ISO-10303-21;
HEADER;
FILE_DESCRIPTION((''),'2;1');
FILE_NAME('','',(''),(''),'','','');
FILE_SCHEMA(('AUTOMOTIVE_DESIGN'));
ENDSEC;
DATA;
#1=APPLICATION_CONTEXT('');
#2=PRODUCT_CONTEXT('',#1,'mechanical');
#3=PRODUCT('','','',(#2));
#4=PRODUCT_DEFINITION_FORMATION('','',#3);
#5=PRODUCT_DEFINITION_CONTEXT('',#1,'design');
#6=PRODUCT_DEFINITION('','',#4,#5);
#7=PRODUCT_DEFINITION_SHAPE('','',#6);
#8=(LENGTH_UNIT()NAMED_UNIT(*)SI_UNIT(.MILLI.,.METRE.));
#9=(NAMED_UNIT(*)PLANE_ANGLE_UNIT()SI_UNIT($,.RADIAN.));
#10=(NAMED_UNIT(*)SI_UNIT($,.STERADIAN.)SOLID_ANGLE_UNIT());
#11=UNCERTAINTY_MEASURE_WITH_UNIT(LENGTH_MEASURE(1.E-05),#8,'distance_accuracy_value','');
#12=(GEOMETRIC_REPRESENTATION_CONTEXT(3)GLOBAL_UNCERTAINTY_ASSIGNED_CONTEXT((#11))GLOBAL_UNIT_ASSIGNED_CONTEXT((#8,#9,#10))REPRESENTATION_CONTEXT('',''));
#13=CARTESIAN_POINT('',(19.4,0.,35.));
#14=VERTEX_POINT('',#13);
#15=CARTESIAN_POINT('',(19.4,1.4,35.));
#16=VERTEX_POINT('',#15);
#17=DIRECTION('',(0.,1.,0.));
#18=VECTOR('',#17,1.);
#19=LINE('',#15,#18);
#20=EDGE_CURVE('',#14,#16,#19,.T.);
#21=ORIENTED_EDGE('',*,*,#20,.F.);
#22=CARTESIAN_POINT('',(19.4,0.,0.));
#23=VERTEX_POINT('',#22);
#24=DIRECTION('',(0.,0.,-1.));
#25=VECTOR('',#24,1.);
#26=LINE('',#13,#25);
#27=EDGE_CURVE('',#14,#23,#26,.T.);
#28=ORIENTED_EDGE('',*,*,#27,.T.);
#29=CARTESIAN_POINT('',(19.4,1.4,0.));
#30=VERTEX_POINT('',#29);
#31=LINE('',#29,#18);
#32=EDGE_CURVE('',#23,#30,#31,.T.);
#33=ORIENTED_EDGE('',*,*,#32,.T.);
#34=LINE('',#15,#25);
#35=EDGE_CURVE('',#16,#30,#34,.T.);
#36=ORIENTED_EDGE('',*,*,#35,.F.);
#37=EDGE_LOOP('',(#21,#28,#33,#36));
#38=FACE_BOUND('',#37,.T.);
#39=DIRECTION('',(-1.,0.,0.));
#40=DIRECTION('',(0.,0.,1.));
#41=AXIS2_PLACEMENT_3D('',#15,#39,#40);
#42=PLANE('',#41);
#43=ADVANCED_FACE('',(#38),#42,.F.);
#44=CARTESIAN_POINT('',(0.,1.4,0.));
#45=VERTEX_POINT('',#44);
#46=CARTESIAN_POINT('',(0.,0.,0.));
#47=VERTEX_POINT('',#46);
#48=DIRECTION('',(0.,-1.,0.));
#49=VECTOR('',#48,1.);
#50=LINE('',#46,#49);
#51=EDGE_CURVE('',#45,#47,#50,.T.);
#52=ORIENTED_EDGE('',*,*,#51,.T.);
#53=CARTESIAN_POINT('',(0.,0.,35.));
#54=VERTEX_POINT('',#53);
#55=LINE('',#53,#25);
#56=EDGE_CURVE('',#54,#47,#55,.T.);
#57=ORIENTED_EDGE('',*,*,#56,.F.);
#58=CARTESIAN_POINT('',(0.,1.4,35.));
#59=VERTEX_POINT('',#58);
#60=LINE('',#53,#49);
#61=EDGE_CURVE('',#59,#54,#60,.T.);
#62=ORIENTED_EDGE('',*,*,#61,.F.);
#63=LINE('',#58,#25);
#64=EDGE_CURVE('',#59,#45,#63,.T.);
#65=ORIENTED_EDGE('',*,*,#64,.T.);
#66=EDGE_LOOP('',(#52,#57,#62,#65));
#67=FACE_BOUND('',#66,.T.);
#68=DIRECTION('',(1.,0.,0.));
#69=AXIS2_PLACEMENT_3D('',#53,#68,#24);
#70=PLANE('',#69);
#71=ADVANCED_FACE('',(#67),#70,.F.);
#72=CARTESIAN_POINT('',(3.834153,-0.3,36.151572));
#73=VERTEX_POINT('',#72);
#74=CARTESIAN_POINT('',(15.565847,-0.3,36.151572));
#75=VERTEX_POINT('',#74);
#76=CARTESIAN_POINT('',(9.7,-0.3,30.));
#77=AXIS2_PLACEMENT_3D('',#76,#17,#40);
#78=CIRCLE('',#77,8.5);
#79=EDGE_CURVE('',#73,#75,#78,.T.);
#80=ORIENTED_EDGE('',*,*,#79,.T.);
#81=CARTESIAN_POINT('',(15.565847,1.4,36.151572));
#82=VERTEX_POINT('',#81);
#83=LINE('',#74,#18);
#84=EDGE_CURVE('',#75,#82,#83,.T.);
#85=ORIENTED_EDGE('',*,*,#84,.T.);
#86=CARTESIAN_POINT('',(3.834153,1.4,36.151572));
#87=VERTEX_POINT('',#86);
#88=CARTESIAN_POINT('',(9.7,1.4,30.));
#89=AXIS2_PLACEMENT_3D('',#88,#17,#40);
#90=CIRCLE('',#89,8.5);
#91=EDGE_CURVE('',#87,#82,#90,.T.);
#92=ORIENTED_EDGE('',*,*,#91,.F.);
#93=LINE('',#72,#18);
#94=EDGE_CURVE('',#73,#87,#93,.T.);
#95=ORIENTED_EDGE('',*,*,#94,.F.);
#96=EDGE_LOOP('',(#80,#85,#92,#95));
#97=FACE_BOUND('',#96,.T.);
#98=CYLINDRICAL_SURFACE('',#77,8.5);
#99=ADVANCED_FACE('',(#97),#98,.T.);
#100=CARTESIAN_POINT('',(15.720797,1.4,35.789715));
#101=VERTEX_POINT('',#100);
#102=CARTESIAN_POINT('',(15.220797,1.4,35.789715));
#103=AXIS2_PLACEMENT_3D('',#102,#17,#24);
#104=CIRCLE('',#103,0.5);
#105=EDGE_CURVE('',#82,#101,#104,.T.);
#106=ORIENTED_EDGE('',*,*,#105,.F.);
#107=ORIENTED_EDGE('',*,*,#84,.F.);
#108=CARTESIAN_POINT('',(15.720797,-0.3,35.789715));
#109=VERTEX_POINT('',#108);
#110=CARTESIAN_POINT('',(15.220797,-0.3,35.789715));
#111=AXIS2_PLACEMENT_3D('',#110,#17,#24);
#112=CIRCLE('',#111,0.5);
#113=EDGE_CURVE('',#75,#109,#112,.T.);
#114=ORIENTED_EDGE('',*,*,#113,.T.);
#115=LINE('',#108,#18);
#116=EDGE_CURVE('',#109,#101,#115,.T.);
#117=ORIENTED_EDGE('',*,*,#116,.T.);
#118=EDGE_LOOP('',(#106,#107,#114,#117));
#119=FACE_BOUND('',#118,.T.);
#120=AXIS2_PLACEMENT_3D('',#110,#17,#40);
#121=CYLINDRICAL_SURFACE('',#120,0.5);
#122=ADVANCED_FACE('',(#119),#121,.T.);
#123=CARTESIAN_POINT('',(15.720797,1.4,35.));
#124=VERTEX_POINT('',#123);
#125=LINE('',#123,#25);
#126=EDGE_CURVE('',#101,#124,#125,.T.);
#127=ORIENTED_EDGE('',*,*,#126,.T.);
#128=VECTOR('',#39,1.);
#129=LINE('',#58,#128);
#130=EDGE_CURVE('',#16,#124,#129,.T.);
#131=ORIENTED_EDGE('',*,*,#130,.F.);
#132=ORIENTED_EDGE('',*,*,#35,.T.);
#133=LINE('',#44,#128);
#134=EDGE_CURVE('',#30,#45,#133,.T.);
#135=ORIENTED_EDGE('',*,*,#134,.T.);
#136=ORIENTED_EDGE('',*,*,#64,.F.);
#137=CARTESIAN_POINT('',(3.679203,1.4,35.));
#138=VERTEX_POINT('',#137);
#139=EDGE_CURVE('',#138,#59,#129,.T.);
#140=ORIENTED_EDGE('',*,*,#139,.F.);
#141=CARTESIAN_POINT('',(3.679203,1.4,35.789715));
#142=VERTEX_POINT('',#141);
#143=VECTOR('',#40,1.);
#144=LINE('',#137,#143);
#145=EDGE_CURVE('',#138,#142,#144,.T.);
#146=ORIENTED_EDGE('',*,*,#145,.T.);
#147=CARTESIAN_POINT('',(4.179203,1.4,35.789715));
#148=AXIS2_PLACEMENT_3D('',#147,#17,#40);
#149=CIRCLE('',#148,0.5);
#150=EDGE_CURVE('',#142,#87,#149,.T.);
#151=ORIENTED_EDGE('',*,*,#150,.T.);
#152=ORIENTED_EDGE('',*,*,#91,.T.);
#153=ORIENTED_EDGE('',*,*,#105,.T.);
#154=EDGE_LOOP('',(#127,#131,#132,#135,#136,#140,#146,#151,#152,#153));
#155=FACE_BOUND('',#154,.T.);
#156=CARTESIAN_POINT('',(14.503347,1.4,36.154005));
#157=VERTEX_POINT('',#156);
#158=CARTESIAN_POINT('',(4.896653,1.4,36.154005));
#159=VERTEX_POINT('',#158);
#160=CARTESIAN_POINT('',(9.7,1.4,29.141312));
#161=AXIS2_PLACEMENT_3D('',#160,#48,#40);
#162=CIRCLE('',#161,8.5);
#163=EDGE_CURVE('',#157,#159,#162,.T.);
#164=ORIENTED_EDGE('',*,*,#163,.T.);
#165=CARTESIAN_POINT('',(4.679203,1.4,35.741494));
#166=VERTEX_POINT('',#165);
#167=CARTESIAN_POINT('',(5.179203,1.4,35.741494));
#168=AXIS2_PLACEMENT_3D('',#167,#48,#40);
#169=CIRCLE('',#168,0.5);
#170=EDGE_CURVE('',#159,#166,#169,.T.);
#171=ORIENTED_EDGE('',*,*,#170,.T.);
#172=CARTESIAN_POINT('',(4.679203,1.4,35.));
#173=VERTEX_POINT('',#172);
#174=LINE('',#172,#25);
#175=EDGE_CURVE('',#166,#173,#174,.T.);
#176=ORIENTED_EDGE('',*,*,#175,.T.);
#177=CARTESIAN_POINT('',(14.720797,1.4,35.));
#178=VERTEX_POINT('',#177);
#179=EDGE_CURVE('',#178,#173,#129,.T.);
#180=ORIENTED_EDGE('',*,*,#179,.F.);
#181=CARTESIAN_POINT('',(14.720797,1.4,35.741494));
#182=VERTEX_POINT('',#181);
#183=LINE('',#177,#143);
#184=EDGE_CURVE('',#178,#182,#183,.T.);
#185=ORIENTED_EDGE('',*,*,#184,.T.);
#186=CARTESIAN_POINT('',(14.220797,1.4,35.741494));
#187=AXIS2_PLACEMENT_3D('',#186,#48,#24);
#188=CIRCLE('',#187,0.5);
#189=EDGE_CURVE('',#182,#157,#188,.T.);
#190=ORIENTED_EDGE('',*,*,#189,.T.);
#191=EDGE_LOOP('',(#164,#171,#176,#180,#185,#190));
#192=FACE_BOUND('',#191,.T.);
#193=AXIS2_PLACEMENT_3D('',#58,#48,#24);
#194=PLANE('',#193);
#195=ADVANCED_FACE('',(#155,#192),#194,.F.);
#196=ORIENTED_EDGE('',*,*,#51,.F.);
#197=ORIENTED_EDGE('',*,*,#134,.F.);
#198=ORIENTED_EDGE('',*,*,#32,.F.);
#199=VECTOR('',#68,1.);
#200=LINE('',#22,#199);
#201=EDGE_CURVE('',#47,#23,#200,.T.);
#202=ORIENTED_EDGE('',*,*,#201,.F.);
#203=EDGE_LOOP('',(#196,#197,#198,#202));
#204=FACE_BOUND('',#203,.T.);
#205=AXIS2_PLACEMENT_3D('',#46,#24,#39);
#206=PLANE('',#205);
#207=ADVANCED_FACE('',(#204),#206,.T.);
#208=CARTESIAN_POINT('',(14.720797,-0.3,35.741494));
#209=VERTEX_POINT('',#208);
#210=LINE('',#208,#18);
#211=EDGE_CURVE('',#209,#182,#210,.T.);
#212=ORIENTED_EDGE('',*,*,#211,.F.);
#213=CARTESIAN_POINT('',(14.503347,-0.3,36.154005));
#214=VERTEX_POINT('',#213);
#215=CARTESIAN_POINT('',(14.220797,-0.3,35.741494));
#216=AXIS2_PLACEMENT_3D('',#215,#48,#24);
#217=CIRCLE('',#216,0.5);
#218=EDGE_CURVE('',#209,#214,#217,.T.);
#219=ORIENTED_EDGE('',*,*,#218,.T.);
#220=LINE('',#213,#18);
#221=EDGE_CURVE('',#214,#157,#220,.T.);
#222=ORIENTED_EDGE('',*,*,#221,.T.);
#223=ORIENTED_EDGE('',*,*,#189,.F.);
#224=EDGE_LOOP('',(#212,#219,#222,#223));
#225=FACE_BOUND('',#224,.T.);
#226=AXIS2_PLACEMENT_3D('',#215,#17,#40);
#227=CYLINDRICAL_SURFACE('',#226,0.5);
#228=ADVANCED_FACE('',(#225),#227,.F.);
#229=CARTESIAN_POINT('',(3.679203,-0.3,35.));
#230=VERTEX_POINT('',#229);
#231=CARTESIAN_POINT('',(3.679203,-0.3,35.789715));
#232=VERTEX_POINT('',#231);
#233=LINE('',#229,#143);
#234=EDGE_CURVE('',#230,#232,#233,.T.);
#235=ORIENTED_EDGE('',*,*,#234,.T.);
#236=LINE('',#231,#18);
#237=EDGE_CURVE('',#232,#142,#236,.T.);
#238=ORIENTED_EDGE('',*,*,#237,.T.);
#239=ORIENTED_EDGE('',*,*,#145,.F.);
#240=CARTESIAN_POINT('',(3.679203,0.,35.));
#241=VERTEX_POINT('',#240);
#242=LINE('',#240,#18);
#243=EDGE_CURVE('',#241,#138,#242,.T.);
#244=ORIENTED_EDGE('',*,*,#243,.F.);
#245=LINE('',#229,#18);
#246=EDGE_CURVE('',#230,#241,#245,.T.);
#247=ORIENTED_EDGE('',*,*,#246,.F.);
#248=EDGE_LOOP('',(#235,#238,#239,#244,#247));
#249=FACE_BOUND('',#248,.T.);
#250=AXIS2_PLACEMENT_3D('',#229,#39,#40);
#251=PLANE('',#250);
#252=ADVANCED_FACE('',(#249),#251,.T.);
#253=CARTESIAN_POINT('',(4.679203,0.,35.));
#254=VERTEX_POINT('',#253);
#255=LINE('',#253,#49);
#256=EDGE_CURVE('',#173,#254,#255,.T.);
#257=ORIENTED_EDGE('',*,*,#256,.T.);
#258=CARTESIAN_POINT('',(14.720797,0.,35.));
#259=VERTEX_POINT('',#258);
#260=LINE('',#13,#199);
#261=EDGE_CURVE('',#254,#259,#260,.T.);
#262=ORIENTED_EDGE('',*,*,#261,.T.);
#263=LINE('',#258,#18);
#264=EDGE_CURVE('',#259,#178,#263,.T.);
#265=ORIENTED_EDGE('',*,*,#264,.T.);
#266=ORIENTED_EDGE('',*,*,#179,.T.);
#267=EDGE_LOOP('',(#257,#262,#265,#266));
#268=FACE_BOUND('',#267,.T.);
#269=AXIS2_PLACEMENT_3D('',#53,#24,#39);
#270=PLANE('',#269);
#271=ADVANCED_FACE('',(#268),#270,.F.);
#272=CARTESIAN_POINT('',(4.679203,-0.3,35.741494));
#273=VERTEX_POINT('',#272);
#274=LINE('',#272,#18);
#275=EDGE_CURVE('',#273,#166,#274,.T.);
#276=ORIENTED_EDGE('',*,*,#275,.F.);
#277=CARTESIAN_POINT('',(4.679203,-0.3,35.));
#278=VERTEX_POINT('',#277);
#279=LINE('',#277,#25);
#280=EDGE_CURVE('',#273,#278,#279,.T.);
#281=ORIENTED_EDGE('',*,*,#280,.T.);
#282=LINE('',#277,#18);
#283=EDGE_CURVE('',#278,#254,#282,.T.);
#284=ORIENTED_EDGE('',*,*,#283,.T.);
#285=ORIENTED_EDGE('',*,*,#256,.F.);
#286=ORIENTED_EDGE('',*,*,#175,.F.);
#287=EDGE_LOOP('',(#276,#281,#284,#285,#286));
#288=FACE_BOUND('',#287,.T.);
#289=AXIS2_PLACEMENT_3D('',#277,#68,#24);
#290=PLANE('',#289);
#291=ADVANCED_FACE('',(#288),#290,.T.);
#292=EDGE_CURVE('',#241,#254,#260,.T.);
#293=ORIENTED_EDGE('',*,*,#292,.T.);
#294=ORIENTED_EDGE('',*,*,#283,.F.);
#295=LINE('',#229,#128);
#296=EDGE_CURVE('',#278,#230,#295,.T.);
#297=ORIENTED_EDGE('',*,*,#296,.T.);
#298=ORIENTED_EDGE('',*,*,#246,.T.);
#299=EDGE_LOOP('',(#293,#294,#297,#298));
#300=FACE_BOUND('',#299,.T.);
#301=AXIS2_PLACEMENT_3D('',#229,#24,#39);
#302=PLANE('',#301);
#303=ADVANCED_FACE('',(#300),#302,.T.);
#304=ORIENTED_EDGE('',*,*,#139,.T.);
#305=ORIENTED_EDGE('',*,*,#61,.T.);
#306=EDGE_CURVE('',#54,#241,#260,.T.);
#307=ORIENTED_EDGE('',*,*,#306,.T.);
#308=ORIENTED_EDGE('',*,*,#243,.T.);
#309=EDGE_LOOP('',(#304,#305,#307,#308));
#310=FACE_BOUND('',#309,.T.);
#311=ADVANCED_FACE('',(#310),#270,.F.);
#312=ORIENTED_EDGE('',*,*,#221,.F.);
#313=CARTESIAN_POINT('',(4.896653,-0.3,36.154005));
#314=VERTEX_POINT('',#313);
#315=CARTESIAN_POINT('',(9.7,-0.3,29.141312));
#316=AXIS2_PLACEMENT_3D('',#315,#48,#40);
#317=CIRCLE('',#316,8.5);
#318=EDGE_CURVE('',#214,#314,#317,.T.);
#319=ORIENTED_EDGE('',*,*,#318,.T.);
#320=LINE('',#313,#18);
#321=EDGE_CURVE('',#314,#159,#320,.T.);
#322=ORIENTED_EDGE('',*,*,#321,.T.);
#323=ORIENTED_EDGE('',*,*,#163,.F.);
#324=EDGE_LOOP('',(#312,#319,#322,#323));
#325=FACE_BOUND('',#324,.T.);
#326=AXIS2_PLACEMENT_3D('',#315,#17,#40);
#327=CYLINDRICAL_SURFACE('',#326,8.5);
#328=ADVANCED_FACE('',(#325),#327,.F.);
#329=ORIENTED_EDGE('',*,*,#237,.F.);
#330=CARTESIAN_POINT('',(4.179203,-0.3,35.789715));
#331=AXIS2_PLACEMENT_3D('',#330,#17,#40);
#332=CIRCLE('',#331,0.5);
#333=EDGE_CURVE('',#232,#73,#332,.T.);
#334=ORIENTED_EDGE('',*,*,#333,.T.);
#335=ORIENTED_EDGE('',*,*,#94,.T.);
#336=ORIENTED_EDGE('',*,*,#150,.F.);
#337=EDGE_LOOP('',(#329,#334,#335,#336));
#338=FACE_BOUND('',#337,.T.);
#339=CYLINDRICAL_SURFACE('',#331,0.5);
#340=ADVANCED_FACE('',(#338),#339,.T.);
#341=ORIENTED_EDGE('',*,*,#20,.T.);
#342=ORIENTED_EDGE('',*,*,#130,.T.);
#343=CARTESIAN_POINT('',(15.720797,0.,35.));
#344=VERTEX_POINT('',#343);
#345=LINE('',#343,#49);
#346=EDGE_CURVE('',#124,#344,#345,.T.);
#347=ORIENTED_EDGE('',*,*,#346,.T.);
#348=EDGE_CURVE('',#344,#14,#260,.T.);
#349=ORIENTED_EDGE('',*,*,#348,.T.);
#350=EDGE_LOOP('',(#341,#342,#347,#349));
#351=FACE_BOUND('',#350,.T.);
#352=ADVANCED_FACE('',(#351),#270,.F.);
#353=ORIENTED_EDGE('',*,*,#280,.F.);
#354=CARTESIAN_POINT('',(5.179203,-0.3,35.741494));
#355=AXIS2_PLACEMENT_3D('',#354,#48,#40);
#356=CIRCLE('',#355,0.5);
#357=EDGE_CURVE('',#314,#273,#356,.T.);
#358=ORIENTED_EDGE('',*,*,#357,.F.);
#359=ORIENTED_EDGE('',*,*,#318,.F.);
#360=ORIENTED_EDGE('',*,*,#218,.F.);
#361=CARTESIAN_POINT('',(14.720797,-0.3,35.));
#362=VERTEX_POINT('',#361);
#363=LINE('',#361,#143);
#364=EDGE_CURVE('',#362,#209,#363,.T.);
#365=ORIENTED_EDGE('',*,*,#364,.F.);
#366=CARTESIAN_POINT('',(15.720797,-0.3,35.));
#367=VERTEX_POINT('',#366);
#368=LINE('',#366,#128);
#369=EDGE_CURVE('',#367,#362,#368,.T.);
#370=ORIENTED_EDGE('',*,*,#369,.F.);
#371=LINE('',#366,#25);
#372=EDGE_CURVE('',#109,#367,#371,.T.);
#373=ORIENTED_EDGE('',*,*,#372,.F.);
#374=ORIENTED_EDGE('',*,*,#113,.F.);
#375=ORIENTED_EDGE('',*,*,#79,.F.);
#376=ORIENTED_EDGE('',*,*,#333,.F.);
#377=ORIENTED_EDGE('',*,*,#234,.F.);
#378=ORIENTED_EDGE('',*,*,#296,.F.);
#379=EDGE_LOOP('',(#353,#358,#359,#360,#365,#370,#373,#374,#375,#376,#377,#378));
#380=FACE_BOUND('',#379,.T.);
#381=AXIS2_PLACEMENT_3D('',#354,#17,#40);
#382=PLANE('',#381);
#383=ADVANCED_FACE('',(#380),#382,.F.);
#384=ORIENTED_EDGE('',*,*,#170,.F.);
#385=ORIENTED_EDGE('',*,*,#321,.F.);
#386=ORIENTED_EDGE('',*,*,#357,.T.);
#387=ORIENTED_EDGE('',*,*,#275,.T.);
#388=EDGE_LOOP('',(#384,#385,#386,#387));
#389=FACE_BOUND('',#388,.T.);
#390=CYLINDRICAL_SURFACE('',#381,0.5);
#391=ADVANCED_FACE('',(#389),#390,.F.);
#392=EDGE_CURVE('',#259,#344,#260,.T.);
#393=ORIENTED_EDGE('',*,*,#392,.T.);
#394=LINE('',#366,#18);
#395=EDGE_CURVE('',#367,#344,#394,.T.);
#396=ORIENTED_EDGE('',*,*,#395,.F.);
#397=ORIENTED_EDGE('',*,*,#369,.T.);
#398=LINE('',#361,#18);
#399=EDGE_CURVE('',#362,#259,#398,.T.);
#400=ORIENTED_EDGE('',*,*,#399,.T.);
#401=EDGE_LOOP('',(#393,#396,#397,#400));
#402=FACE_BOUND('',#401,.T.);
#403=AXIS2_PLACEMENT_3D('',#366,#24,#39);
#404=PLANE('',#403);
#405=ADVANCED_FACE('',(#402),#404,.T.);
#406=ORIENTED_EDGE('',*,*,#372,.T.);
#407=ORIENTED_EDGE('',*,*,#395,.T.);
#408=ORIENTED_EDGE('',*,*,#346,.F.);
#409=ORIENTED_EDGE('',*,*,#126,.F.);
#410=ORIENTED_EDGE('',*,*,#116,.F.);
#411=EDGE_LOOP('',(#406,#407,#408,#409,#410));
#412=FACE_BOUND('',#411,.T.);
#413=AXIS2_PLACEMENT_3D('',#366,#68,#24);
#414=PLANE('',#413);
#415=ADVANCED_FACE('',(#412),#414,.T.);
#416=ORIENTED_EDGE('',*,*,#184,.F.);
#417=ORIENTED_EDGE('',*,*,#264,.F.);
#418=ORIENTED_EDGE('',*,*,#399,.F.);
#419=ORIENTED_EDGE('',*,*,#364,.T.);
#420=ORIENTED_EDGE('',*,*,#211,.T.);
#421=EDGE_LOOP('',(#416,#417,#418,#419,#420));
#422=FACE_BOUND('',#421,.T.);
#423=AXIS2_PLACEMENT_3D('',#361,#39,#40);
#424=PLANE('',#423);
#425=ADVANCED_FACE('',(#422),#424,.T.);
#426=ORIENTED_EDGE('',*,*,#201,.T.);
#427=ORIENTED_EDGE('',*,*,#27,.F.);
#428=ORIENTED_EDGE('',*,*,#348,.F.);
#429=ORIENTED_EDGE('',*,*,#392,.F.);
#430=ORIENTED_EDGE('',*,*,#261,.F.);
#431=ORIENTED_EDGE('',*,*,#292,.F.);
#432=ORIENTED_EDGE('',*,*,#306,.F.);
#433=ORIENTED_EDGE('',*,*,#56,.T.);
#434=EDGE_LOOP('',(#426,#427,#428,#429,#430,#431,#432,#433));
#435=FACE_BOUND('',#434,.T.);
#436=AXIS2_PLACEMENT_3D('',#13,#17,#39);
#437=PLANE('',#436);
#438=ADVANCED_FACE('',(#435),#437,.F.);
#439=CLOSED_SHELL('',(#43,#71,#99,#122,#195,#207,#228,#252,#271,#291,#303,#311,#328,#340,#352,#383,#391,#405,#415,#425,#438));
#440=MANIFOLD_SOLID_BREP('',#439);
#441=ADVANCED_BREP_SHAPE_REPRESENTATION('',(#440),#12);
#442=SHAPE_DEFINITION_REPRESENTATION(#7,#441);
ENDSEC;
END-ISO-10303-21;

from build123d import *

# Parameters (mm, degrees)
SKETCH1_W           = 19.4
SKETCH1_H           = 1.4
BOSS_EXTRUDE1_DEPTH = 35
BOSS_EXTRUDE2_DEPTH = 1.7


with BuildPart() as part:
    # Sketch1 → Boss-Extrude1 (new body)
    with BuildSketch(Plane.XY):
        with Locations((9.7, 0.7)):
            Rectangle(SKETCH1_W, SKETCH1_H)
    extrude(amount=BOSS_EXTRUDE1_DEPTH)

    # Sketch3 → Boss-Extrude2 (add)
    with BuildSketch(Plane(origin=(0, 1.4, 0), x_dir=(1, 0, 0), z_dir=(0, 1, 0))):
        with BuildLine():
            Line((3.679202711, -35), (3.679202711, -35.789714785))
            ThreePointArc((3.679202711, -35.789714785), (3.719569751, -35.986533337), (3.83415288, -36.151571959))
            ThreePointArc((3.83415288, -36.151571959), (9.7, -38.5), (15.56584712, -36.151571959))
            ThreePointArc((15.56584712, -36.151571959), (15.680430249, -35.986533337), (15.720797289, -35.789714785))
            Line((15.720797289, -35.789714785), (15.720797289, -35))
            Line((15.720797289, -35), (14.720797289, -35))
            Line((14.720797289, -35), (14.720797289, -35.741493674))
            ThreePointArc((14.720797289, -35.741493674), (14.663106522, -35.974651436), (14.50334712, -36.154004999))
            ThreePointArc((14.50334712, -36.154004999), (9.7, -37.641312474), (4.89665288, -36.154004999))
            ThreePointArc((4.89665288, -36.154004999), (4.736893478, -35.974651436), (4.679202711, -35.741493674))
            Line((4.679202711, -35.741493674), (4.679202711, -35))
            Line((4.679202711, -35), (3.679202711, -35))
        make_face()
    extrude(amount=-BOSS_EXTRUDE2_DEPTH)


solid = part.part
